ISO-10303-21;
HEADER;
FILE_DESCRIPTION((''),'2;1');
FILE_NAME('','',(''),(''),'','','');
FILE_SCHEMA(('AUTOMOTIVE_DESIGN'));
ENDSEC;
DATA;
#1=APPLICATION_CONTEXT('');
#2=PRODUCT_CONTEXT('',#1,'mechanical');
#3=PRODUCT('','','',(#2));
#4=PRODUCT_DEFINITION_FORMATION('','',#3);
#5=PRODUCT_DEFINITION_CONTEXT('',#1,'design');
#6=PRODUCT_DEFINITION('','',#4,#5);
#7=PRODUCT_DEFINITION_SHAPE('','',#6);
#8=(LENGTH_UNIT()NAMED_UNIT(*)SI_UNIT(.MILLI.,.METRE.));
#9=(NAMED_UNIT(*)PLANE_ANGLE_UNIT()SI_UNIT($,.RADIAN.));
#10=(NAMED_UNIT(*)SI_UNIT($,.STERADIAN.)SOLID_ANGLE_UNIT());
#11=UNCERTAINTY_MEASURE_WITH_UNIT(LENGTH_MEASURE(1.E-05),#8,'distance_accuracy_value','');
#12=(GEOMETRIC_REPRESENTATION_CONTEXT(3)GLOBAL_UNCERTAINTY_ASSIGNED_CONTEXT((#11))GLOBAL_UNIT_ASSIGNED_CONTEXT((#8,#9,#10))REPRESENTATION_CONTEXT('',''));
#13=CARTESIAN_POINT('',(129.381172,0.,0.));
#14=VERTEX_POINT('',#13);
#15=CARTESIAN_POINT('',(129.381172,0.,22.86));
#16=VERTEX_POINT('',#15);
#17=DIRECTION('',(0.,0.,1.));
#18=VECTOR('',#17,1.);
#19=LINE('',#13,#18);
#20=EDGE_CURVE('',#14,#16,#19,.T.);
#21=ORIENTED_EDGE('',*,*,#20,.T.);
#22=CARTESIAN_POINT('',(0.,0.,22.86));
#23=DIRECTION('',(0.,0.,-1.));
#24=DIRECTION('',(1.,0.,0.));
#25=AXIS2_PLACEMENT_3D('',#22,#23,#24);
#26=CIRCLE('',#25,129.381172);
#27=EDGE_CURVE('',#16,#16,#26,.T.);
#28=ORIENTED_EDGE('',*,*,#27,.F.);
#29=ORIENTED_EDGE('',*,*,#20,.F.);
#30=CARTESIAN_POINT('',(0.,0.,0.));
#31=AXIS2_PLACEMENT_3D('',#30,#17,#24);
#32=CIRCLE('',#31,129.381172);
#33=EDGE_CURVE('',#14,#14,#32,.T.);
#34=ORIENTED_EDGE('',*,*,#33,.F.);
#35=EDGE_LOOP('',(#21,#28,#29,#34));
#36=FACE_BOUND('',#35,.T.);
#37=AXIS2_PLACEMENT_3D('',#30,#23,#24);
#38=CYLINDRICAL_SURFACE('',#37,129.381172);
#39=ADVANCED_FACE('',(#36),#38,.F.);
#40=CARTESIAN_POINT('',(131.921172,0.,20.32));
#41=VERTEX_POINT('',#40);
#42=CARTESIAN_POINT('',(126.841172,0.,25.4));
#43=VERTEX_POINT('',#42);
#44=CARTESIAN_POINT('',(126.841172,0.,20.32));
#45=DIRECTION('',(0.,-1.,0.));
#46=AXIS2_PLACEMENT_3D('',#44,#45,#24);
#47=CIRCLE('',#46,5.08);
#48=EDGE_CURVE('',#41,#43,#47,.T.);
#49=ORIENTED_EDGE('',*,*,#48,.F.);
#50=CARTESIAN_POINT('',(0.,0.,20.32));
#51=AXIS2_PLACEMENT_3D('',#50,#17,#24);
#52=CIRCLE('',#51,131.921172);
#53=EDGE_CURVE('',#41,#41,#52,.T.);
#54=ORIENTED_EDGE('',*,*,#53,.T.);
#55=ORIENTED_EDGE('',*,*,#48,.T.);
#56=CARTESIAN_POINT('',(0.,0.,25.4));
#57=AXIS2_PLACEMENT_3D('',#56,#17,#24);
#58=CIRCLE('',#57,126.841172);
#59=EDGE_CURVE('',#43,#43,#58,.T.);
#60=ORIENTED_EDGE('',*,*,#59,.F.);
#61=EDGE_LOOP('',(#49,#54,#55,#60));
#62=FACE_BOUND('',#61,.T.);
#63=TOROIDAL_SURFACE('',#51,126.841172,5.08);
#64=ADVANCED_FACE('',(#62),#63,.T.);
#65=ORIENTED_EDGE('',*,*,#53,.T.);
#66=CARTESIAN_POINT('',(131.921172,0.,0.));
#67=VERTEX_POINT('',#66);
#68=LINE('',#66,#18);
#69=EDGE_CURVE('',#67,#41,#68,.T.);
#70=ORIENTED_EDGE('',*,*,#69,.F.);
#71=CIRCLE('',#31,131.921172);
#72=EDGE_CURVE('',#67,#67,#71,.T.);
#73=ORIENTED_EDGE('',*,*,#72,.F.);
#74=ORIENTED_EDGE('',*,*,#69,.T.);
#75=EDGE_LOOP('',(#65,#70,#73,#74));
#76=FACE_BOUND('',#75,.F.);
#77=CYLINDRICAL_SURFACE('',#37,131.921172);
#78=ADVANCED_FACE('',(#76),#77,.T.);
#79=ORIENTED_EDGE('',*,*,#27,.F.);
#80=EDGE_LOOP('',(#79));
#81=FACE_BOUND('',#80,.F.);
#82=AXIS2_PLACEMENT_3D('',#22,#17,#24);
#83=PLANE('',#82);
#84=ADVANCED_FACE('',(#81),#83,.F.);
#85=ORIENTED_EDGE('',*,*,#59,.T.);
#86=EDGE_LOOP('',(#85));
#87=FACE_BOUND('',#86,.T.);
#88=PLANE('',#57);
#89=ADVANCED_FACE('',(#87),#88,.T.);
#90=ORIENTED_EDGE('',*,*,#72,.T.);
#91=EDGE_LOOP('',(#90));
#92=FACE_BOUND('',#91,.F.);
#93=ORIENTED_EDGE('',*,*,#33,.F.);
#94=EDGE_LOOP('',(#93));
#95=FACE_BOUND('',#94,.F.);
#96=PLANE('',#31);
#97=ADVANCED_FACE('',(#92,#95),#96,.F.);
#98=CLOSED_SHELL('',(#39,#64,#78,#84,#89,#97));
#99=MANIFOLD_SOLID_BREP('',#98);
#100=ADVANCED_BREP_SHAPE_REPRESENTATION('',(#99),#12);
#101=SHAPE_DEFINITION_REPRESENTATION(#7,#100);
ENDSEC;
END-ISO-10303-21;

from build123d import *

# Parameters (mm, degrees)
F0_R     = 131.921172
F1_DEPTH = 25.4
F2_T     = -2.54
F3_R     = 5.08


with BuildPart() as f1:
    # F0 (on Top) → F1 (new body)
    with BuildSketch(Plane.XY):
        Circle(F0_R)
    extrude(amount=F1_DEPTH)

    # F2
    f2_openings = [f1.faces().sort_by_distance(p)[0] for p in [
        (0, 0, 0),
    ]]
    offset(amount=F2_T, openings=f2_openings)

    # F3
    f3_edges = [f1.edges().sort_by_distance(p)[0] for p in [
        (-131.921172, 0, 25.4),
    ]]
    fillet(f3_edges, radius=F3_R)


solid = f1.part
